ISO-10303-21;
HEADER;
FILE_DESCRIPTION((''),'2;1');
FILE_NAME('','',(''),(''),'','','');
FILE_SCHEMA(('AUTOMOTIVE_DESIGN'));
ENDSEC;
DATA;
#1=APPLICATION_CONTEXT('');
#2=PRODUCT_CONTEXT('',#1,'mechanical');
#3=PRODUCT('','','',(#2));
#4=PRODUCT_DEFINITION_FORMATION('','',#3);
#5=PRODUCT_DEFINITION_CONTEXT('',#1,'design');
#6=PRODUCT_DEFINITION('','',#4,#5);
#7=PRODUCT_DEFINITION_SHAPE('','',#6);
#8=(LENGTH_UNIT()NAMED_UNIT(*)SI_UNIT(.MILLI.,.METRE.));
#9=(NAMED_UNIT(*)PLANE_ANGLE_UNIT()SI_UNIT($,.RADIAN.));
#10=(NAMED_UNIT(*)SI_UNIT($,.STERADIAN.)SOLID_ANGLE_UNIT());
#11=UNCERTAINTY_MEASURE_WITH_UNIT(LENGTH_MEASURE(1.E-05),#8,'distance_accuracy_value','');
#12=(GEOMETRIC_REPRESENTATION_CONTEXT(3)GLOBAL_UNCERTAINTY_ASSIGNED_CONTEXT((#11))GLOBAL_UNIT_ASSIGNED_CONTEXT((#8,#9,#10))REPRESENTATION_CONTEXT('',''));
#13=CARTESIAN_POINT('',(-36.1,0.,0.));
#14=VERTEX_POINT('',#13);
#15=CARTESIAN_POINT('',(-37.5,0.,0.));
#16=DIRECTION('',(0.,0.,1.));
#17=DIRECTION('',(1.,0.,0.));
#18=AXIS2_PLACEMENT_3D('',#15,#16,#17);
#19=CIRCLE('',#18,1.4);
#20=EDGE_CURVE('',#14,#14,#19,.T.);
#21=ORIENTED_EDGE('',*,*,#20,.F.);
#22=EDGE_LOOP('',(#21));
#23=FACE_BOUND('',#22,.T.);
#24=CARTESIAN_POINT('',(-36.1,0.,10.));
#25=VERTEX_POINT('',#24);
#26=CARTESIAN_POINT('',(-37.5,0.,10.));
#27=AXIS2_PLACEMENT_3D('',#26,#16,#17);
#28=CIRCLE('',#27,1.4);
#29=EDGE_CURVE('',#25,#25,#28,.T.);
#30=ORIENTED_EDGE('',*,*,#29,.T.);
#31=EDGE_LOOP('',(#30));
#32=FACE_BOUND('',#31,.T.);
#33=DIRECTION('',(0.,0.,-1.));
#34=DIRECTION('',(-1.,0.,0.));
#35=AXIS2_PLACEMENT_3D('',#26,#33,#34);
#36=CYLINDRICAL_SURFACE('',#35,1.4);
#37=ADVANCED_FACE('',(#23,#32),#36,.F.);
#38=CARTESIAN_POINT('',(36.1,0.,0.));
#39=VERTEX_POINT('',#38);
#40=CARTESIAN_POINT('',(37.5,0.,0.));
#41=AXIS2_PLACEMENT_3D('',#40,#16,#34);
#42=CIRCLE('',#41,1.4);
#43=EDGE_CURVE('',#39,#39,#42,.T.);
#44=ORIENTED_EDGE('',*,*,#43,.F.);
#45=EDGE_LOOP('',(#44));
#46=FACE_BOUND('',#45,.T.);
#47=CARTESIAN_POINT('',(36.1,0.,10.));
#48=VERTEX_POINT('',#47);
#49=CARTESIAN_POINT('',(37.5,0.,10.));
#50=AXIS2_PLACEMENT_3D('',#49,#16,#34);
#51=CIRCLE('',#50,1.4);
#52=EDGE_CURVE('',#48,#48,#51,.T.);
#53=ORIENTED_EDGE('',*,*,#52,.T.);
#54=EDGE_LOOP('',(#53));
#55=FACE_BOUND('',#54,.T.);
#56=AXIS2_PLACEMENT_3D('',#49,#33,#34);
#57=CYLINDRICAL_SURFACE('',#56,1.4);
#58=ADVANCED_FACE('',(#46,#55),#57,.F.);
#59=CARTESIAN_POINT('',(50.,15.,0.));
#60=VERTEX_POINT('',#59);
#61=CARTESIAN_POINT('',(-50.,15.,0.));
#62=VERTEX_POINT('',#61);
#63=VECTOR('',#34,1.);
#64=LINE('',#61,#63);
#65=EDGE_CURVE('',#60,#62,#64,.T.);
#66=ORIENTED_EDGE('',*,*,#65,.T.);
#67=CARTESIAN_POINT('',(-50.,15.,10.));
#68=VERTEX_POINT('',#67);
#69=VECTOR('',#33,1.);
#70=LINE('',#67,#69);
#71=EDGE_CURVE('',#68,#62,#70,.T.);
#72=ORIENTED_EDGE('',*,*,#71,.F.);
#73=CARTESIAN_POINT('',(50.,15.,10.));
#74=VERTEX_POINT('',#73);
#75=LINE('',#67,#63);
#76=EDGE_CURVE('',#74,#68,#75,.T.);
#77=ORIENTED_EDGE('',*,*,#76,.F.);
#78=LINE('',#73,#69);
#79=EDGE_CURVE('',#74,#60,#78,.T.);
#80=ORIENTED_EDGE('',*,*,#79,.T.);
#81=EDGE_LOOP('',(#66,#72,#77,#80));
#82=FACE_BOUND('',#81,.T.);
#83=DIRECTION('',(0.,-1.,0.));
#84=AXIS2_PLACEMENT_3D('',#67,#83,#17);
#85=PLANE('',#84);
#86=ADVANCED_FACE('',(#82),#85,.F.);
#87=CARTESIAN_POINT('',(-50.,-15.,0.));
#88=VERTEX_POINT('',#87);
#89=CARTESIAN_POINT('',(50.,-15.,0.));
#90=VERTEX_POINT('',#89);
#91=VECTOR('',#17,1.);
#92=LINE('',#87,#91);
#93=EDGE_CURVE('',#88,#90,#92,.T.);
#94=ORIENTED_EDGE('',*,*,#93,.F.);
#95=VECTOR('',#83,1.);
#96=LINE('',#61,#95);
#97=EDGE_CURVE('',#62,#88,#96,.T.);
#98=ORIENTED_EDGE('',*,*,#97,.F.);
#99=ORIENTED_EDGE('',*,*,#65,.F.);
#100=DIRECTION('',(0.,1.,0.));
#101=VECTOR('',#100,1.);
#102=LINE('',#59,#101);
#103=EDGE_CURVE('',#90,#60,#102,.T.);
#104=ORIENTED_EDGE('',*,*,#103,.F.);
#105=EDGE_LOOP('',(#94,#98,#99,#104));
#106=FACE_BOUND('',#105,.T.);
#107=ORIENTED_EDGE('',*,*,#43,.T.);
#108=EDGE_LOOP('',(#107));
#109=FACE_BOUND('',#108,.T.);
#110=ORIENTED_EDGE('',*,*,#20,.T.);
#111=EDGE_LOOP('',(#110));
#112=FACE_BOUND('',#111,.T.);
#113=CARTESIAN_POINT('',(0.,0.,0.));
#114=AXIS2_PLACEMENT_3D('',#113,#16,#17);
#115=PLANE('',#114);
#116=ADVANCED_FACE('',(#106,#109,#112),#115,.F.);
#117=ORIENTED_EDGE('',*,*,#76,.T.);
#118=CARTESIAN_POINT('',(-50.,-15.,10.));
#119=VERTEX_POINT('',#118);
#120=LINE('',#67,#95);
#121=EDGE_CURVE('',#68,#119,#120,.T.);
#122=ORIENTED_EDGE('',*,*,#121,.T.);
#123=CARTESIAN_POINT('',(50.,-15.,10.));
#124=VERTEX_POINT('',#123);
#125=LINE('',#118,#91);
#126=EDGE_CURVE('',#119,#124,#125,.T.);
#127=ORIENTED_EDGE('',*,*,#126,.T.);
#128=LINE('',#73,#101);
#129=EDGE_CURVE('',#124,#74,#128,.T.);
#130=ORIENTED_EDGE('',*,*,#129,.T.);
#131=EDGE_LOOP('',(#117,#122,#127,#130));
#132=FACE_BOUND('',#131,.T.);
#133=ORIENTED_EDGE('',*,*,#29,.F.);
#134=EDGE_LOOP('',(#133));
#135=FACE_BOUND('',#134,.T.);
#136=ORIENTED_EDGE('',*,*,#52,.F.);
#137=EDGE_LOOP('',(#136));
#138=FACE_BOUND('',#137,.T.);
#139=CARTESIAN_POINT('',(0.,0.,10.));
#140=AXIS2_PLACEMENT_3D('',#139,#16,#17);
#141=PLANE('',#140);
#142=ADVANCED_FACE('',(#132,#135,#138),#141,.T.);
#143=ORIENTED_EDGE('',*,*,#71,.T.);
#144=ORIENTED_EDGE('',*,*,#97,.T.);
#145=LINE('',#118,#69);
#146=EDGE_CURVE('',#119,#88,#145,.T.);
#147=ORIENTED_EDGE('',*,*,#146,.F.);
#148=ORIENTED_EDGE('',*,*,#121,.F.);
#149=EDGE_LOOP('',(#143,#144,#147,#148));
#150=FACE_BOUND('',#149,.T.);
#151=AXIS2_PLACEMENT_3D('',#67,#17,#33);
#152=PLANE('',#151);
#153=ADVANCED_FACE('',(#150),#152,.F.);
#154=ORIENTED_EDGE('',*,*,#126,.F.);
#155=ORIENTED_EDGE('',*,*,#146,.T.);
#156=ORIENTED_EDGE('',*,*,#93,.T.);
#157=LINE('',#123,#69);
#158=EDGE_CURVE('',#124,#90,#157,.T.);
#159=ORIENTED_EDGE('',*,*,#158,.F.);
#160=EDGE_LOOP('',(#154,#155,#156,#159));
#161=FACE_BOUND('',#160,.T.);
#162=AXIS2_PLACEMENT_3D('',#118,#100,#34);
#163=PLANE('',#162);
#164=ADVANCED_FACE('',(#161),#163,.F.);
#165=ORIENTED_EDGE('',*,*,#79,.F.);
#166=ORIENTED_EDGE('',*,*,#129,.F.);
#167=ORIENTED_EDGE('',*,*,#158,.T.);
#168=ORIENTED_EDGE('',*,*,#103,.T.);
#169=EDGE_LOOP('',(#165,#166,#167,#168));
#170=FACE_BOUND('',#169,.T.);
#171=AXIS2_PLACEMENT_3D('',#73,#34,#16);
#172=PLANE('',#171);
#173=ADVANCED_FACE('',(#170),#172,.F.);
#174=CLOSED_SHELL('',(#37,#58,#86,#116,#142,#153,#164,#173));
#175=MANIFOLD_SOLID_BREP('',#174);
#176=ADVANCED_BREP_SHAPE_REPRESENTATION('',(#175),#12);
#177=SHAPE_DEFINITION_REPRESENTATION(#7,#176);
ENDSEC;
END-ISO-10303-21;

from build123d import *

# Parameters (mm, degrees)
SKETCH_1_W      = 100
SKETCH_1_H      = 30
SKETCH_1_R      = 1.4
EXTRUDE_1_DEPTH = 10


with BuildPart() as part:
    # 스케치1 → 보스-돌출1 (new body)
    with BuildSketch(Plane.XY):
        Rectangle(SKETCH_1_W, SKETCH_1_H)
        with Locations((-37.5, 0)):
            Circle(SKETCH_1_R, mode=Mode.SUBTRACT)
        with Locations(Location((37.5, 0, 0), (0, 0, 180))):
            Circle(SKETCH_1_R, mode=Mode.SUBTRACT)
    extrude(amount=EXTRUDE_1_DEPTH)


solid = part.part
